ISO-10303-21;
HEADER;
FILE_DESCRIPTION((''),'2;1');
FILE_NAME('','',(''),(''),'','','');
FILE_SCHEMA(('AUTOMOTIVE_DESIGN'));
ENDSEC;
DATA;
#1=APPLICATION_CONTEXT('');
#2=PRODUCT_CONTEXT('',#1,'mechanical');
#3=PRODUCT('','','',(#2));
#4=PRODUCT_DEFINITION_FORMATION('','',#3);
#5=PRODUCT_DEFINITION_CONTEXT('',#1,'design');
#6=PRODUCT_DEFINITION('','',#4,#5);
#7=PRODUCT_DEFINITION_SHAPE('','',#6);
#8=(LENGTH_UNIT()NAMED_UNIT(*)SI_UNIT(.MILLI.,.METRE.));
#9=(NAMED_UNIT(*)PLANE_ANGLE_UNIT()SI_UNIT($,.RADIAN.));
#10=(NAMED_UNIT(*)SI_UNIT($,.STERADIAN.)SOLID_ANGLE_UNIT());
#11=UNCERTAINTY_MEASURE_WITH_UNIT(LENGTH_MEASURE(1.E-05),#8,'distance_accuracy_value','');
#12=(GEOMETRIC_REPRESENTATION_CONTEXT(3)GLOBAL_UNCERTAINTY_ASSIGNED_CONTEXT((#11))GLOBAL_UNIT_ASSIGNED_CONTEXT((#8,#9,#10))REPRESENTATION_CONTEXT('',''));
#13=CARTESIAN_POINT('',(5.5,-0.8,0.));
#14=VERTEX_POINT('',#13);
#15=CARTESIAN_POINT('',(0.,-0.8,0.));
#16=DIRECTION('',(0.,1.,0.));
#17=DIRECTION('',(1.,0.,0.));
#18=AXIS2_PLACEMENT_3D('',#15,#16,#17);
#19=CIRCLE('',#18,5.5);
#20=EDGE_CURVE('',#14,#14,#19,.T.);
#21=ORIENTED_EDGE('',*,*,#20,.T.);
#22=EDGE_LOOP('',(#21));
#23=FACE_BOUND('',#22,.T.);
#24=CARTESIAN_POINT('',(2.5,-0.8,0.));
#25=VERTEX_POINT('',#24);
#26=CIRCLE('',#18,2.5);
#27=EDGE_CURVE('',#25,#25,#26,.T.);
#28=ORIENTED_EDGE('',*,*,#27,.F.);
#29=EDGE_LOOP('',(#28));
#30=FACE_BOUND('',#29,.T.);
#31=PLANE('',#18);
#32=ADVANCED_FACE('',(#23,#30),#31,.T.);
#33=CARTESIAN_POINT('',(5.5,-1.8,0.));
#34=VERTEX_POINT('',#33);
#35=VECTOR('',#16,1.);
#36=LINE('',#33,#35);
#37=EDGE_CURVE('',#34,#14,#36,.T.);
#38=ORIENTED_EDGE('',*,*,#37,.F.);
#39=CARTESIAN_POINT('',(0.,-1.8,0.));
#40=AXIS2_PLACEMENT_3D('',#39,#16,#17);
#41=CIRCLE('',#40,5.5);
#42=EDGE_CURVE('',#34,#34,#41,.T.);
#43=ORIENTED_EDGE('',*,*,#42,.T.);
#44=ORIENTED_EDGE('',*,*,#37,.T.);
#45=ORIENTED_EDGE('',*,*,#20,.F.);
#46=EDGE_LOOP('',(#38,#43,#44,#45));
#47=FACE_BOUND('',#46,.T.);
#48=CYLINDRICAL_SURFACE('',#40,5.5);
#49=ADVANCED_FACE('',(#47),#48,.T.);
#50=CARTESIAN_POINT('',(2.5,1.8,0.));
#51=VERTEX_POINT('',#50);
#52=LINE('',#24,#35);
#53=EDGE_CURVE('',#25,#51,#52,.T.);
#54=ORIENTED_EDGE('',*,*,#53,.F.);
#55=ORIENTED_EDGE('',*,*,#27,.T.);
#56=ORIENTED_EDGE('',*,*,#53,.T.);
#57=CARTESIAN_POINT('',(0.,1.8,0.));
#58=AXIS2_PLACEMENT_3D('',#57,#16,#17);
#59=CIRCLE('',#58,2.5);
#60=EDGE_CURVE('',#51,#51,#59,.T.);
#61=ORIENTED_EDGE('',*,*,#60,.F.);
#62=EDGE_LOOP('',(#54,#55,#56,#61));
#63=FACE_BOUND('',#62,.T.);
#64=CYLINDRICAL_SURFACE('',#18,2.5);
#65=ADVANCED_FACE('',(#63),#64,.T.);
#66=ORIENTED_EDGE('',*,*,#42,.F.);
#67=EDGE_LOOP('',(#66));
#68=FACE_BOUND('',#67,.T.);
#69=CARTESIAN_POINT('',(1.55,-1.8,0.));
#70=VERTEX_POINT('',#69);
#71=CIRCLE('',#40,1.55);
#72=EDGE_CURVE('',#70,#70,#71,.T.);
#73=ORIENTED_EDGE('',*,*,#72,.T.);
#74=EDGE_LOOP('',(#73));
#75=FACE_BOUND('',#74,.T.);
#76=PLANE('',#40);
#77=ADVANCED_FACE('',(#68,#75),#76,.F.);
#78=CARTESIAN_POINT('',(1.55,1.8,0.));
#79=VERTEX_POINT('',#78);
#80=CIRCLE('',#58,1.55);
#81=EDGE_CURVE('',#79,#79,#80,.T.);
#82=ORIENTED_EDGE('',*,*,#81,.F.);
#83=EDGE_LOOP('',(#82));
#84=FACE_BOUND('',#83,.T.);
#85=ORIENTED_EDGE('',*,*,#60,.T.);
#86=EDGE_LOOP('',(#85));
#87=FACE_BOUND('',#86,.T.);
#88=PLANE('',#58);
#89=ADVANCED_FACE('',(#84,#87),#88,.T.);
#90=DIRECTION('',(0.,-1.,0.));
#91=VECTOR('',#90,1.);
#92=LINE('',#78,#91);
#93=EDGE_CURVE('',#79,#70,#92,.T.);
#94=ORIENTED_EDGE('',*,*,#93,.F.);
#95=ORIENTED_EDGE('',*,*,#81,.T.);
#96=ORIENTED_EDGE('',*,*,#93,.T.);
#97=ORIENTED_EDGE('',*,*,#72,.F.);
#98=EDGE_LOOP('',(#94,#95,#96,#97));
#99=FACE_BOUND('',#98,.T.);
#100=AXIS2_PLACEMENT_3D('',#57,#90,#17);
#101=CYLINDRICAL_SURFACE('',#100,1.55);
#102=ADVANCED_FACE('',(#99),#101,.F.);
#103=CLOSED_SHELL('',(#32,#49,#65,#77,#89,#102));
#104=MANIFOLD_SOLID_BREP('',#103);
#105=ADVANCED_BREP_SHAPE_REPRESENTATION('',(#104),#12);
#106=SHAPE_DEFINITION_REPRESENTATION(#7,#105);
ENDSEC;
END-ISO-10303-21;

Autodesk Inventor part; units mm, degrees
ref_plane "YZ Plane" through (0, 0, 0) normal (1, 0, 0) x (0, 1, 0)
ref_plane "XZ Plane" through (0, 0, 0) normal (0, 1, 0) x (-1, 0, 0)
ref_plane "XY Plane" through (0, 0, 0) normal (0, 0, 1) x (1, 0, 0)
sketch "スケッチ1" plane through (0, 0, 0) normal (0, 0, 1) x (1, 0, 0)
  line L0 (1.55, 1.8) -> (1.55, -1.8)
  line L1 (1.55, -1.8) -> (5.5, -1.8)
  line L2 (5.5, -1.8) -> (5.5, -0.8)
  line L3 (5.5, -0.8) -> (2.5, -0.8)
  line L4 (2.5, -0.8) -> (2.5, 1.8)
  line L5 (2.5, 1.8) -> (1.55, 1.8)
  line L6 (0, -2.52) -> (0, 2.52) projected
  point P0 (0, 0)
  point P1 (1.55, 0)
  dimension "d0" = 2.5
  dimension "d1" = 1.55
  dimension "d2" = 5.5
  dimension "d3" = 1
  dimension "d7" = 2.6
revolve "回転1" add sketch "スケッチ1" angle 360 about axis through (0, -10, 0) along (0, 1, 0)
properties part number "膝_同軸_スペーサ_1_2" material "アセタール樹脂、黒"
